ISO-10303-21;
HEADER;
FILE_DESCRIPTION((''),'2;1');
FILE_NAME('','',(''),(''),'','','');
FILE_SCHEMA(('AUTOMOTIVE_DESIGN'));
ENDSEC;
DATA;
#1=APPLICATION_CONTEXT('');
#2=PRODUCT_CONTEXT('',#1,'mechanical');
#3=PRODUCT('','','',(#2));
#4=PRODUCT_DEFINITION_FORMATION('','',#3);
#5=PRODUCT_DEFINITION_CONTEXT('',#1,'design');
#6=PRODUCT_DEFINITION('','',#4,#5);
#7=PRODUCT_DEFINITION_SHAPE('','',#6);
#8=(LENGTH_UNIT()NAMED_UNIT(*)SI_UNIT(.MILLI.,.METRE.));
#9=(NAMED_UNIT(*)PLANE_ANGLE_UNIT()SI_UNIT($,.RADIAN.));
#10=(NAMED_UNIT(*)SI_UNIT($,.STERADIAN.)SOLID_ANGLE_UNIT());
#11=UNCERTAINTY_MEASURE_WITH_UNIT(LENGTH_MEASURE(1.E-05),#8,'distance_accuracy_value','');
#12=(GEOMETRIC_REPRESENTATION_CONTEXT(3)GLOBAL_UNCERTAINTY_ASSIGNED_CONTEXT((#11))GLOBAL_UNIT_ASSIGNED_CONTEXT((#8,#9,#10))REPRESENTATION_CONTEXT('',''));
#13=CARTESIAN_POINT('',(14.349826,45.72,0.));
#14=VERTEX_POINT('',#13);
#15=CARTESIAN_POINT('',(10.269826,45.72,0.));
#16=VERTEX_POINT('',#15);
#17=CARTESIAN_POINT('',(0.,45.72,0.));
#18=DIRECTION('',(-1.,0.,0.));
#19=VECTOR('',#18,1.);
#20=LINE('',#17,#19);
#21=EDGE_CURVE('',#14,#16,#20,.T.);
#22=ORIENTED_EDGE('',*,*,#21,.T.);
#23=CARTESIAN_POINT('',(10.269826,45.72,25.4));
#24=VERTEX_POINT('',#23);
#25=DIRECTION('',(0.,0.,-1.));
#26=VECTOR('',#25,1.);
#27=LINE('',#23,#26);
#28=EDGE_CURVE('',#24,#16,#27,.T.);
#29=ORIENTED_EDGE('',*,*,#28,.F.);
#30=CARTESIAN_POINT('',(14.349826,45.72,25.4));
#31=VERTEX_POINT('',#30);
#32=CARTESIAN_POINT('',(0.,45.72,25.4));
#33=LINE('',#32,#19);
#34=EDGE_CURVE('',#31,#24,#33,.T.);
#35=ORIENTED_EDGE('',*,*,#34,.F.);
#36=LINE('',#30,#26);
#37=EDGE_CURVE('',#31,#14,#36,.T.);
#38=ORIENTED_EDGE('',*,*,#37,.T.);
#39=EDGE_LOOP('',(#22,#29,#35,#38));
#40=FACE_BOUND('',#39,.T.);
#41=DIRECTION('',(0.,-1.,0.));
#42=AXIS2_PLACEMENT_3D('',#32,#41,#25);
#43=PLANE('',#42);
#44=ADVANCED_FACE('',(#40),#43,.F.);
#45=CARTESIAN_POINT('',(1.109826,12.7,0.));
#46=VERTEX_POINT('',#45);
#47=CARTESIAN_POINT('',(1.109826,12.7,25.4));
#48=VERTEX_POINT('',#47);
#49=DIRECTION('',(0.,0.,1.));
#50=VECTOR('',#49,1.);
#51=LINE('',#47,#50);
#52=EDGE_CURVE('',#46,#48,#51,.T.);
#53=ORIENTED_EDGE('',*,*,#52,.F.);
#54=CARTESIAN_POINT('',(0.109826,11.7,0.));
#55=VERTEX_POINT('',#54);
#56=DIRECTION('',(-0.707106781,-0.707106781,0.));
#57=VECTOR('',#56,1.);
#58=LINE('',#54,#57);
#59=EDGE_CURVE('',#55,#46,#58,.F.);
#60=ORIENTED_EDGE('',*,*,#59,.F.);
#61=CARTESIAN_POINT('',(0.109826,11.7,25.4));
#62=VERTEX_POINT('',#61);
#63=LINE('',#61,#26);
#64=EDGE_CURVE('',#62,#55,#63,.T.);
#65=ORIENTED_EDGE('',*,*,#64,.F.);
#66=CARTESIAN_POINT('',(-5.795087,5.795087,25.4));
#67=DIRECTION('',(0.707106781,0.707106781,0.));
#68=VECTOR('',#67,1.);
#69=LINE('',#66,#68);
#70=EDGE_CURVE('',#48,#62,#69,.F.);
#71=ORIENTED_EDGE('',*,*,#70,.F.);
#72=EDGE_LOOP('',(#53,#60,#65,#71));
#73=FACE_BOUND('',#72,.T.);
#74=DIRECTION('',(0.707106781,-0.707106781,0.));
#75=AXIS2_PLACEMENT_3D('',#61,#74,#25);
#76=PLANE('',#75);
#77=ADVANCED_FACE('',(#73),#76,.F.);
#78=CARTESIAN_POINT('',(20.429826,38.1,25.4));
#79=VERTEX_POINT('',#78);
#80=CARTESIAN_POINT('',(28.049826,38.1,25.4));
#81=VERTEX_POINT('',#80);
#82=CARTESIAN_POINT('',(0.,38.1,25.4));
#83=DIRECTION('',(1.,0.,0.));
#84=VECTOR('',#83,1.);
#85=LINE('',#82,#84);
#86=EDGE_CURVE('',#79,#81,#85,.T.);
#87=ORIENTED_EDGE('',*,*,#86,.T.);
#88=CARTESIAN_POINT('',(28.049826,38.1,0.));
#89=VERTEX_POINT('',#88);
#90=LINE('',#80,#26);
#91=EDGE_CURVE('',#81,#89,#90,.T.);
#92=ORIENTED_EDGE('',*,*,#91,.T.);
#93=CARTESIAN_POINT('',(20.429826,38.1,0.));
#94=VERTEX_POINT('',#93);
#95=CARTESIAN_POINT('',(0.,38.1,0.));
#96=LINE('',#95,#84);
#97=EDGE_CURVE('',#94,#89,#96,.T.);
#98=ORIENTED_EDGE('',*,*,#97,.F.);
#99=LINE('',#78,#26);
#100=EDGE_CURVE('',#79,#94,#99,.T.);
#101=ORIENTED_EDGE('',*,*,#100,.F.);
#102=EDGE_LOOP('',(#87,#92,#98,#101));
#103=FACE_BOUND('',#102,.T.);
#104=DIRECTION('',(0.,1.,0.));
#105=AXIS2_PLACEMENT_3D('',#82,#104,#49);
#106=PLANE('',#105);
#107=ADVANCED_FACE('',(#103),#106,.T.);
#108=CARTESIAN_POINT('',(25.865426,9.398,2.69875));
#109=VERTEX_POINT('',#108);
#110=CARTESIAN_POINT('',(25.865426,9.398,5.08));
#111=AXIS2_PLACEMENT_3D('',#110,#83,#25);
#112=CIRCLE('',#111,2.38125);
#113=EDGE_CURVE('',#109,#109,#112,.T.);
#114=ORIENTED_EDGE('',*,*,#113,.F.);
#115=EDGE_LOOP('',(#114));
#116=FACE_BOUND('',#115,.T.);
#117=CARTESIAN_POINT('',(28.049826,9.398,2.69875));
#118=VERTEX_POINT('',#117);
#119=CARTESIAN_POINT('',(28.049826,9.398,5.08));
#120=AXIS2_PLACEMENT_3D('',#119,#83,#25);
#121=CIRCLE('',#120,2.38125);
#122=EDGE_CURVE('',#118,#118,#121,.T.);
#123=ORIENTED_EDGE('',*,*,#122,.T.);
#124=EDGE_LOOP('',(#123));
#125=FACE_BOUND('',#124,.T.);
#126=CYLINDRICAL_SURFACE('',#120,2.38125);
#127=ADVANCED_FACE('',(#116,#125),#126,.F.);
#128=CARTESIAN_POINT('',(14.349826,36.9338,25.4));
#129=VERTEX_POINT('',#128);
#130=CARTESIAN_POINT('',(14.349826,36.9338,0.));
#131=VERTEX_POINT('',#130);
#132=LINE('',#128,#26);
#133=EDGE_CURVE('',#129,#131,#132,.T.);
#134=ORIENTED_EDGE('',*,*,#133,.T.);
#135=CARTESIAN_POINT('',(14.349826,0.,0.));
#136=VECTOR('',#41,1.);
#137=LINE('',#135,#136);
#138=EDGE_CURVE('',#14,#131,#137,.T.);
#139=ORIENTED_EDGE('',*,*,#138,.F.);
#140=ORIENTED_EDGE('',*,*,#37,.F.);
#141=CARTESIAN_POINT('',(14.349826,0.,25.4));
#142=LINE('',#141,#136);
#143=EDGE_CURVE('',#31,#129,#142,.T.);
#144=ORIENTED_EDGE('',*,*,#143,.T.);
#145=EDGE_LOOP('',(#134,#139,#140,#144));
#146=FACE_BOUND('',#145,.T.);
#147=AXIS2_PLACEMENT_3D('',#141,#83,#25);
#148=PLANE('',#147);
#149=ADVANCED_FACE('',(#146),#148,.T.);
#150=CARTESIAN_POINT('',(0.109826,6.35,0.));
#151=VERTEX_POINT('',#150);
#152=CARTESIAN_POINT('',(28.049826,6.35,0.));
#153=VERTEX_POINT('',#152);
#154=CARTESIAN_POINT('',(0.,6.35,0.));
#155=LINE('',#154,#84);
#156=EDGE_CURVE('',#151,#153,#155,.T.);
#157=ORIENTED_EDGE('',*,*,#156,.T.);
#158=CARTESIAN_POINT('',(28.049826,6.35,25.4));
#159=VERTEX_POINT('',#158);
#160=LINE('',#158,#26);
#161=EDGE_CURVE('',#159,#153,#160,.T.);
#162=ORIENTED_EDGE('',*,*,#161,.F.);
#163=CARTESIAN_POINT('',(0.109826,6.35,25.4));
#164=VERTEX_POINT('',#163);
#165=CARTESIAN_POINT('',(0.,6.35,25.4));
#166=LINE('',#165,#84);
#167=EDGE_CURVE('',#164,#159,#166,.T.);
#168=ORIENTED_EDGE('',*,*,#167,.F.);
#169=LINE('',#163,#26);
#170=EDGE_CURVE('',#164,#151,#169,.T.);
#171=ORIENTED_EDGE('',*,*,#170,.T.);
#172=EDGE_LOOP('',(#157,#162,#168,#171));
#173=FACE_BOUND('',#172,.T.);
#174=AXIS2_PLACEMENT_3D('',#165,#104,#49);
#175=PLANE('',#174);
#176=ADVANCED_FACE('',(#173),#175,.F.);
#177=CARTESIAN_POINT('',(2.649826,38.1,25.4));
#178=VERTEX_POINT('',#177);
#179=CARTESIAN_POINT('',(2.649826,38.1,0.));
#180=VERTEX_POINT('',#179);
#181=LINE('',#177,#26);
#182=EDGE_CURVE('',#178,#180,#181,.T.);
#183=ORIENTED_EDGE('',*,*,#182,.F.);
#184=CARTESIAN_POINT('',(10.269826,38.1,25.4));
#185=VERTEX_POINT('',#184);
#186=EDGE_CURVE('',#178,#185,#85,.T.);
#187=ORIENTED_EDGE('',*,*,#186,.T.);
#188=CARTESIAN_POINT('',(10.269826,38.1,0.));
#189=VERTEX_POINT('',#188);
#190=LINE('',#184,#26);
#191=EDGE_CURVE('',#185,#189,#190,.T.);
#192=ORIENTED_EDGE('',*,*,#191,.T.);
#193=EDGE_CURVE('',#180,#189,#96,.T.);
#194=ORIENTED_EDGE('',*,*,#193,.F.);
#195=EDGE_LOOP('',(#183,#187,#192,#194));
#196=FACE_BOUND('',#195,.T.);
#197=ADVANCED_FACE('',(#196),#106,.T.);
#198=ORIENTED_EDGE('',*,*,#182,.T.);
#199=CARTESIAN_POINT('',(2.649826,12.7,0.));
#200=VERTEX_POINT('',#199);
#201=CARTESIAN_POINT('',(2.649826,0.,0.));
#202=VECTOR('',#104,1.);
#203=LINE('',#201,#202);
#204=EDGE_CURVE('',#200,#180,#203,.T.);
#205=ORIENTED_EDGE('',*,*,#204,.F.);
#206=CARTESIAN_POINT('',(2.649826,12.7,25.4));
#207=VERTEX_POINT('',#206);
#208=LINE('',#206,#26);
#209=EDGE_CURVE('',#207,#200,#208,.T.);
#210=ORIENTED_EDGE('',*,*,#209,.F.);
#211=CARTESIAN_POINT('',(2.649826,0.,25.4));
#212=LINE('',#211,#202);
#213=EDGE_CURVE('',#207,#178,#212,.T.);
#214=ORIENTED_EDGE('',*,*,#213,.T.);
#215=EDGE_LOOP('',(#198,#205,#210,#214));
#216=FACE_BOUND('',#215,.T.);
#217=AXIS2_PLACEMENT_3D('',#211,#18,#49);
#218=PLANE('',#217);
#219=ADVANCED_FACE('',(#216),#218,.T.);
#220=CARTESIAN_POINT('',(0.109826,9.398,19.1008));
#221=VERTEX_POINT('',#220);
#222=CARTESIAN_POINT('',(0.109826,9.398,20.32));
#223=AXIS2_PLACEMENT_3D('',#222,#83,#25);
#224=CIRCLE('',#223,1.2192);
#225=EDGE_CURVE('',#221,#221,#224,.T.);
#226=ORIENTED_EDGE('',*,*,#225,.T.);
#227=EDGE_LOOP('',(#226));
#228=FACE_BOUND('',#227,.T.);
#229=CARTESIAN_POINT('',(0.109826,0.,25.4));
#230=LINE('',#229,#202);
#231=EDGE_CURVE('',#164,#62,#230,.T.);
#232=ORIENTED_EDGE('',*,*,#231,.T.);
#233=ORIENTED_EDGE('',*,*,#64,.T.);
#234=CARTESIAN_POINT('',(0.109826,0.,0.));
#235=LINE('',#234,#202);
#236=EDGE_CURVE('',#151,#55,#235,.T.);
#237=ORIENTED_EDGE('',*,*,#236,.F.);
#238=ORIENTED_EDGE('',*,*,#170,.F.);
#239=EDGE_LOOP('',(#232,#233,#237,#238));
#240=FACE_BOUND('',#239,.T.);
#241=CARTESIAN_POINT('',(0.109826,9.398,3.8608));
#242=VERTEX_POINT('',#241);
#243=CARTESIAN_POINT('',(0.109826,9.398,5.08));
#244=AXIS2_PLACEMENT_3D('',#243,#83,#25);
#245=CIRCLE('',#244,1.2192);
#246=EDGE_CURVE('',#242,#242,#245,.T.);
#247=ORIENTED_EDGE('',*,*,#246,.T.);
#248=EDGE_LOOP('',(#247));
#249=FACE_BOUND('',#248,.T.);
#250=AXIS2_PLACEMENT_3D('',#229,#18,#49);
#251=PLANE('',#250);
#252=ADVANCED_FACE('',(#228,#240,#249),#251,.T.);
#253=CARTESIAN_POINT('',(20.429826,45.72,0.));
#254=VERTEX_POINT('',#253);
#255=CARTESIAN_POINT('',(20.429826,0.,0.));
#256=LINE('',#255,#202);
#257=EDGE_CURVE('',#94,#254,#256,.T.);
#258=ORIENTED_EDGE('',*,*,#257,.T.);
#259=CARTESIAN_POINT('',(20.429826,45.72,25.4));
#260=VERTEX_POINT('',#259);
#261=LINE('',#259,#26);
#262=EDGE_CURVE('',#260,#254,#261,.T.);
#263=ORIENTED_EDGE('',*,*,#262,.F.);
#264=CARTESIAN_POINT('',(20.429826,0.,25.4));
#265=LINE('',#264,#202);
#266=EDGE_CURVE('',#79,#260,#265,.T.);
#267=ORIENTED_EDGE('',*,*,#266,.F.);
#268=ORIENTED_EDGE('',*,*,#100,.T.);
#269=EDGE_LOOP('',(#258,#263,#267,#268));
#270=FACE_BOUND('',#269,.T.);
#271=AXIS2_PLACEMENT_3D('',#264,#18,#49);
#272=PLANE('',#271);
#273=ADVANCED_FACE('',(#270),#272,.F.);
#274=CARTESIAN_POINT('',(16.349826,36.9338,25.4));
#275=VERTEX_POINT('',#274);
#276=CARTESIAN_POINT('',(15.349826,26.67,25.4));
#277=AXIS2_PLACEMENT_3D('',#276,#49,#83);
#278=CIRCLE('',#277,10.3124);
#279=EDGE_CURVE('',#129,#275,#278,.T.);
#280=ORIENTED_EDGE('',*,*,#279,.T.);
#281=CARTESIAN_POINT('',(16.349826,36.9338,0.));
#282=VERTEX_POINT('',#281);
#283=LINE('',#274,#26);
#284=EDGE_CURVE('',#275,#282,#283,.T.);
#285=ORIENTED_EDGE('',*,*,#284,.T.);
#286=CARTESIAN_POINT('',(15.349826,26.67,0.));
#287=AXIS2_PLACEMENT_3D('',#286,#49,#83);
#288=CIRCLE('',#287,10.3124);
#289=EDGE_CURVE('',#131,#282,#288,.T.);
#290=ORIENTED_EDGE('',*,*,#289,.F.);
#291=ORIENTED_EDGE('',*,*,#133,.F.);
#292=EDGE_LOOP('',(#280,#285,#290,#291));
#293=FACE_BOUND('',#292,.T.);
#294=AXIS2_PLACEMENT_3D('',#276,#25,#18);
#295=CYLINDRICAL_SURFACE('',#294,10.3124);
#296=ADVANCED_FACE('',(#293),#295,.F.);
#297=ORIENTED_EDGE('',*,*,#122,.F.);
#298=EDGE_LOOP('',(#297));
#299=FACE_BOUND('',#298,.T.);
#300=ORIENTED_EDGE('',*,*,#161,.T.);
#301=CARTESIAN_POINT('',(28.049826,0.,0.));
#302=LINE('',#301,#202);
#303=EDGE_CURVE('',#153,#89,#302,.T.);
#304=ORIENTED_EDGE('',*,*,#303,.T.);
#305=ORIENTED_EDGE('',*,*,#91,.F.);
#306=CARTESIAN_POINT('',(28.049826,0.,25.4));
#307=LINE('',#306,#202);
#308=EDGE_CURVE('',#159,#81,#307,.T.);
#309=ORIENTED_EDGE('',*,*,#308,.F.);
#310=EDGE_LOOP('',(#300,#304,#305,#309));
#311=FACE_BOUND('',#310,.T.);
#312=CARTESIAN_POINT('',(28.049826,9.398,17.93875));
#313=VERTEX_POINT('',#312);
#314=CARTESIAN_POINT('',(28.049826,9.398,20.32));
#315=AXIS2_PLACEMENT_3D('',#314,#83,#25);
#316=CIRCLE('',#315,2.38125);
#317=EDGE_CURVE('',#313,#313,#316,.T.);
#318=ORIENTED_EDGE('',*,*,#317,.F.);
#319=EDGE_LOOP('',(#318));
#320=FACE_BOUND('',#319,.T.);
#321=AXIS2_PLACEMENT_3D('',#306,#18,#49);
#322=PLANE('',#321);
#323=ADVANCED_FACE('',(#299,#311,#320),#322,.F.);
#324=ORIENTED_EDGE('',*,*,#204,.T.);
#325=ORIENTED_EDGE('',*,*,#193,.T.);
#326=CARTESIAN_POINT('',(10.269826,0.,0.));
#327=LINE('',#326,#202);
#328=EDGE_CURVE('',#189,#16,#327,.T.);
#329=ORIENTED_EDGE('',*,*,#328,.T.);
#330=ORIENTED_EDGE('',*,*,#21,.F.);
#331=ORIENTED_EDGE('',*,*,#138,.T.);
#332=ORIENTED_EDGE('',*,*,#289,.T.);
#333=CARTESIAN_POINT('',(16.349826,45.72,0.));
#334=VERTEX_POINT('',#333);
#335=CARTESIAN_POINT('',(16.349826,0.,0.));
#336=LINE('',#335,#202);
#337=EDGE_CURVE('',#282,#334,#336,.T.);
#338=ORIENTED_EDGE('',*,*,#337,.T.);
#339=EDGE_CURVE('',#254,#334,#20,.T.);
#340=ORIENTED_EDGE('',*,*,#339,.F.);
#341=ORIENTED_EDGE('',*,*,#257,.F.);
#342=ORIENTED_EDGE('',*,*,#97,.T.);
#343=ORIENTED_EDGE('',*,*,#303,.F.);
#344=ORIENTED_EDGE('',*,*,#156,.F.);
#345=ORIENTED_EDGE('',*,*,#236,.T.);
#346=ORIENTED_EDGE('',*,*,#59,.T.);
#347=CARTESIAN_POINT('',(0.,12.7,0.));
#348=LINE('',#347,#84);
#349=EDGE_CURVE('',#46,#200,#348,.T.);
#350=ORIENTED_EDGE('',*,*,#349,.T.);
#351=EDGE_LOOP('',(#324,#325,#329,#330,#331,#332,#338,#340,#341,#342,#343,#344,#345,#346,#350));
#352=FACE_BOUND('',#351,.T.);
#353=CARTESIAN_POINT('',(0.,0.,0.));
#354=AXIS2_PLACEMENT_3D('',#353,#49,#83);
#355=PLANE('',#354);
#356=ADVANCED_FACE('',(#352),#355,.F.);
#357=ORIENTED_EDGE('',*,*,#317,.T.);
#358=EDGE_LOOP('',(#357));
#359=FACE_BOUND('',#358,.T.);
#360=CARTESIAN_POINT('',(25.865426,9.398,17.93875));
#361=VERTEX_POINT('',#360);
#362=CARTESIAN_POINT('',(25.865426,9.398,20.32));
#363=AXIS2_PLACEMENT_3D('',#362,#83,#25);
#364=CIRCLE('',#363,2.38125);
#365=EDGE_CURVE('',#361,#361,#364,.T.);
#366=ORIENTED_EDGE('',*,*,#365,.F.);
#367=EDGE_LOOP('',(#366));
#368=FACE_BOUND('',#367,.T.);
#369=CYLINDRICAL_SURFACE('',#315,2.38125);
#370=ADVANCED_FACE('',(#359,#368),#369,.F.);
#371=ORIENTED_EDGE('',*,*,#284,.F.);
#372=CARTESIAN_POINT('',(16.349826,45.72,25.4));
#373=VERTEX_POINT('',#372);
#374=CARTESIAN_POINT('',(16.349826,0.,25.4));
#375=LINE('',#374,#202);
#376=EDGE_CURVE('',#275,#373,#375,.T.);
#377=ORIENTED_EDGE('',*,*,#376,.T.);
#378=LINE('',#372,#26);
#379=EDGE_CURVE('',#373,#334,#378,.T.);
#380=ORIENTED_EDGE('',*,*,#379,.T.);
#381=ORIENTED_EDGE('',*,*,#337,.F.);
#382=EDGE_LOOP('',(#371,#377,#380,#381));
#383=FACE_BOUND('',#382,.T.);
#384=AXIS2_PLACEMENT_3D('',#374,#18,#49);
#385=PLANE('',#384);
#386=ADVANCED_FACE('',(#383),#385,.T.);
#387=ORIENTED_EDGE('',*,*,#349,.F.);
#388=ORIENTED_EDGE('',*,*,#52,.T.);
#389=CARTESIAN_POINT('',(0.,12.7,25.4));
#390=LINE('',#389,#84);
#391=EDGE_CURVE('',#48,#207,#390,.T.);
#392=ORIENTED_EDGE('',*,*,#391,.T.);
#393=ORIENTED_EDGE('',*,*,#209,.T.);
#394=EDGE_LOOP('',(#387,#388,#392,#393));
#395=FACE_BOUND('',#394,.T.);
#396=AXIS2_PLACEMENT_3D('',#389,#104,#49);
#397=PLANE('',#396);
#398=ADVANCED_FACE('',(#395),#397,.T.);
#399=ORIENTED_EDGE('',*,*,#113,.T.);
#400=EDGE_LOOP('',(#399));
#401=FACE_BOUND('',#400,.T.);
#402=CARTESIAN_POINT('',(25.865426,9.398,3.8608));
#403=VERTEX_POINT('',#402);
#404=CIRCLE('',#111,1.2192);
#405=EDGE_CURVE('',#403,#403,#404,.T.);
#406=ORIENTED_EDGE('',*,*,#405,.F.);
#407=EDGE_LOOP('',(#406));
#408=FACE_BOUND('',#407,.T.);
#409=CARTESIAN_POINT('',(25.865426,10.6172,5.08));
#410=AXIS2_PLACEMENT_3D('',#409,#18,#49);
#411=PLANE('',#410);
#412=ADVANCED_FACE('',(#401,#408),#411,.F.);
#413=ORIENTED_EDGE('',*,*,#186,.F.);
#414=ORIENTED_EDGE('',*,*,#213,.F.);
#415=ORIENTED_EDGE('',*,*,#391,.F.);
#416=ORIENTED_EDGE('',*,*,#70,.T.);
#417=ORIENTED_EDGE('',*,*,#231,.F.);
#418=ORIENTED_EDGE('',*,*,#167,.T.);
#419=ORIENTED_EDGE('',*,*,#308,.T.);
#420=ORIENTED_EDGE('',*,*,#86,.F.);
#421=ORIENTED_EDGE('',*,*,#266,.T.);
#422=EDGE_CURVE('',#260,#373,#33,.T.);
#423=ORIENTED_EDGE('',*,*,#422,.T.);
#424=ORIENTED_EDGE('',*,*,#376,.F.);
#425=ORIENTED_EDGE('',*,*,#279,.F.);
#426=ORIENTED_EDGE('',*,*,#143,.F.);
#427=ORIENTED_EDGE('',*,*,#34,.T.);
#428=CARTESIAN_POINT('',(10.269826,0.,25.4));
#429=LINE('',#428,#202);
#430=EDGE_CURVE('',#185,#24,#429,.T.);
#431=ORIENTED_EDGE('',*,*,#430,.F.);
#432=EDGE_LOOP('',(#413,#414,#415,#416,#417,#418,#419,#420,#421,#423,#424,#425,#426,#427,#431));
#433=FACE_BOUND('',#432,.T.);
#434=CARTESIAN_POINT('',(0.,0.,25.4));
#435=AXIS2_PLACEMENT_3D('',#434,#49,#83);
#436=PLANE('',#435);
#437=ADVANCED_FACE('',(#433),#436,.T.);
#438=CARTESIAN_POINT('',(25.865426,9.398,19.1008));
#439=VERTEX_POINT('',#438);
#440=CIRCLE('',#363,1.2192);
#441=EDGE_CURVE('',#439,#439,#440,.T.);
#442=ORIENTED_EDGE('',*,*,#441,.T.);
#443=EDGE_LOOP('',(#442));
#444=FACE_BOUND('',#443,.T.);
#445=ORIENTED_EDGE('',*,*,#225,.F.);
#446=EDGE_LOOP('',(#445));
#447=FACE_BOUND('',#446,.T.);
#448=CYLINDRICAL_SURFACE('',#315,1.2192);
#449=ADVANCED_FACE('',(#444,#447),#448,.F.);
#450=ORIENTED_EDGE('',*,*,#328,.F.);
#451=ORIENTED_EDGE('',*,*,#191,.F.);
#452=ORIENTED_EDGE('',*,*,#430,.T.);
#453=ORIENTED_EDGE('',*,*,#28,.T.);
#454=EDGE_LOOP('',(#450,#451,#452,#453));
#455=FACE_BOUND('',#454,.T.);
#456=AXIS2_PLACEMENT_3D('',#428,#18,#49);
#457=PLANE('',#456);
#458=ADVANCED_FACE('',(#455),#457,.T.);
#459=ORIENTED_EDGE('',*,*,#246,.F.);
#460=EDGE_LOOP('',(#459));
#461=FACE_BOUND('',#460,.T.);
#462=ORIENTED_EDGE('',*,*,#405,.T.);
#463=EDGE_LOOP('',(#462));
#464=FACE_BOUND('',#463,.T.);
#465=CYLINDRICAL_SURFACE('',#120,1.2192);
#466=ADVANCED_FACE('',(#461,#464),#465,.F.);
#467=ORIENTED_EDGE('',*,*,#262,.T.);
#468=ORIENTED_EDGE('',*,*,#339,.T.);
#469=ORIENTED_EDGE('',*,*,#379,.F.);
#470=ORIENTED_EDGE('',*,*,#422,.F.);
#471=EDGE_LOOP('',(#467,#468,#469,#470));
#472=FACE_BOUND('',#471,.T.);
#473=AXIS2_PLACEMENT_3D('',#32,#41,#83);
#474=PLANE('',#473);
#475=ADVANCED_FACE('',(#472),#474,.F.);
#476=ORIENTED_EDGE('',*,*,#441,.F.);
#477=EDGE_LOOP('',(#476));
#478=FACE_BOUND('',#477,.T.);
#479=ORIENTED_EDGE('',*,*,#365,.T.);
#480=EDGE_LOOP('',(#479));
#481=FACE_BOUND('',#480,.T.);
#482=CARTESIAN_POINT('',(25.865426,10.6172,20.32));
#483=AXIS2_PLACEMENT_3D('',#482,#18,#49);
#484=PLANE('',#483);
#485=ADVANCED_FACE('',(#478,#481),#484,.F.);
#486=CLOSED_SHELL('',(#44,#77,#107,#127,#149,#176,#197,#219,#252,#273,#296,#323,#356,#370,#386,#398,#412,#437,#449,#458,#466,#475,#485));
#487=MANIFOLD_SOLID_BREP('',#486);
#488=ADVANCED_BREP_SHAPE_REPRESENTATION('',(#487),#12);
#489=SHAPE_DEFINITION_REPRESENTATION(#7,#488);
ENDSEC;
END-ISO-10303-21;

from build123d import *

# Parameters (mm, degrees)
BOSS_EXTRUDE1_DEPTH                            = 25.4
CHAMFER1_SIZE                                  = 1
CBORE_FOR_2_SOCKET_HEAD_CAP_SCREW1_D           = 2.4384
CBORE_FOR_2_SOCKET_HEAD_CAP_SCREW1_CBORE_D     = 4.7625
CBORE_FOR_2_SOCKET_HEAD_CAP_SCREW1_CBORE_DEPTH = 2.1844


with BuildPart() as part:
    # Sketch1 → Boss-Extrude1 (new body)
    with BuildSketch(Plane.XY):
        with BuildLine():
            Line((0.109825555, 12.7), (0.109825555, 6.35))
            Line((0.109825555, 6.35), (28.049825555, 6.35))
            Line((28.049825555, 6.35), (28.049825555, 38.1))
            Line((28.049825555, 38.1), (20.429825555, 38.1))
            Line((20.429825555, 38.1), (20.429825555, 45.72))
            Line((20.429825555, 45.72), (16.349825555, 45.72))
            Line((16.349825555, 45.72), (16.349825555, 36.933800162))
            ThreePointArc((16.349825555, 36.933800162), (15.349825555, 16.3576), (14.349825555, 36.933800162))
            Line((14.349825555, 36.933800162), (14.349825555, 45.72))
            Line((14.349825555, 45.72), (10.269825555, 45.72))
            Line((10.269825555, 45.72), (10.269825555, 38.1))
            Line((10.269825555, 38.1), (2.649825555, 38.1))
            Line((2.649825555, 38.1), (2.649825555, 12.7))
            Line((2.649825555, 12.7), (0.109825555, 12.7))
        make_face()
    extrude(amount=BOSS_EXTRUDE1_DEPTH)

    # Chamfer1
    chamfer1_edges = [part.edges().sort_by_distance(p)[0] for p in [
        (0.109825555, 12.7, 12.7),
    ]]
    chamfer(chamfer1_edges, length=CHAMFER1_SIZE)

    # CBORE for #2 Socket Head Cap Screw1 (through all)
    with Locations(Plane(origin=(28.049825555, 0, 0), x_dir=(0, 0, -1), z_dir=(1, 0, 0))):
        with Locations((-20.32, 9.398), (-5.08, 9.398)):
            CounterBoreHole(CBORE_FOR_2_SOCKET_HEAD_CAP_SCREW1_D / 2, CBORE_FOR_2_SOCKET_HEAD_CAP_SCREW1_CBORE_D / 2, CBORE_FOR_2_SOCKET_HEAD_CAP_SCREW1_CBORE_DEPTH)


solid = part.part
